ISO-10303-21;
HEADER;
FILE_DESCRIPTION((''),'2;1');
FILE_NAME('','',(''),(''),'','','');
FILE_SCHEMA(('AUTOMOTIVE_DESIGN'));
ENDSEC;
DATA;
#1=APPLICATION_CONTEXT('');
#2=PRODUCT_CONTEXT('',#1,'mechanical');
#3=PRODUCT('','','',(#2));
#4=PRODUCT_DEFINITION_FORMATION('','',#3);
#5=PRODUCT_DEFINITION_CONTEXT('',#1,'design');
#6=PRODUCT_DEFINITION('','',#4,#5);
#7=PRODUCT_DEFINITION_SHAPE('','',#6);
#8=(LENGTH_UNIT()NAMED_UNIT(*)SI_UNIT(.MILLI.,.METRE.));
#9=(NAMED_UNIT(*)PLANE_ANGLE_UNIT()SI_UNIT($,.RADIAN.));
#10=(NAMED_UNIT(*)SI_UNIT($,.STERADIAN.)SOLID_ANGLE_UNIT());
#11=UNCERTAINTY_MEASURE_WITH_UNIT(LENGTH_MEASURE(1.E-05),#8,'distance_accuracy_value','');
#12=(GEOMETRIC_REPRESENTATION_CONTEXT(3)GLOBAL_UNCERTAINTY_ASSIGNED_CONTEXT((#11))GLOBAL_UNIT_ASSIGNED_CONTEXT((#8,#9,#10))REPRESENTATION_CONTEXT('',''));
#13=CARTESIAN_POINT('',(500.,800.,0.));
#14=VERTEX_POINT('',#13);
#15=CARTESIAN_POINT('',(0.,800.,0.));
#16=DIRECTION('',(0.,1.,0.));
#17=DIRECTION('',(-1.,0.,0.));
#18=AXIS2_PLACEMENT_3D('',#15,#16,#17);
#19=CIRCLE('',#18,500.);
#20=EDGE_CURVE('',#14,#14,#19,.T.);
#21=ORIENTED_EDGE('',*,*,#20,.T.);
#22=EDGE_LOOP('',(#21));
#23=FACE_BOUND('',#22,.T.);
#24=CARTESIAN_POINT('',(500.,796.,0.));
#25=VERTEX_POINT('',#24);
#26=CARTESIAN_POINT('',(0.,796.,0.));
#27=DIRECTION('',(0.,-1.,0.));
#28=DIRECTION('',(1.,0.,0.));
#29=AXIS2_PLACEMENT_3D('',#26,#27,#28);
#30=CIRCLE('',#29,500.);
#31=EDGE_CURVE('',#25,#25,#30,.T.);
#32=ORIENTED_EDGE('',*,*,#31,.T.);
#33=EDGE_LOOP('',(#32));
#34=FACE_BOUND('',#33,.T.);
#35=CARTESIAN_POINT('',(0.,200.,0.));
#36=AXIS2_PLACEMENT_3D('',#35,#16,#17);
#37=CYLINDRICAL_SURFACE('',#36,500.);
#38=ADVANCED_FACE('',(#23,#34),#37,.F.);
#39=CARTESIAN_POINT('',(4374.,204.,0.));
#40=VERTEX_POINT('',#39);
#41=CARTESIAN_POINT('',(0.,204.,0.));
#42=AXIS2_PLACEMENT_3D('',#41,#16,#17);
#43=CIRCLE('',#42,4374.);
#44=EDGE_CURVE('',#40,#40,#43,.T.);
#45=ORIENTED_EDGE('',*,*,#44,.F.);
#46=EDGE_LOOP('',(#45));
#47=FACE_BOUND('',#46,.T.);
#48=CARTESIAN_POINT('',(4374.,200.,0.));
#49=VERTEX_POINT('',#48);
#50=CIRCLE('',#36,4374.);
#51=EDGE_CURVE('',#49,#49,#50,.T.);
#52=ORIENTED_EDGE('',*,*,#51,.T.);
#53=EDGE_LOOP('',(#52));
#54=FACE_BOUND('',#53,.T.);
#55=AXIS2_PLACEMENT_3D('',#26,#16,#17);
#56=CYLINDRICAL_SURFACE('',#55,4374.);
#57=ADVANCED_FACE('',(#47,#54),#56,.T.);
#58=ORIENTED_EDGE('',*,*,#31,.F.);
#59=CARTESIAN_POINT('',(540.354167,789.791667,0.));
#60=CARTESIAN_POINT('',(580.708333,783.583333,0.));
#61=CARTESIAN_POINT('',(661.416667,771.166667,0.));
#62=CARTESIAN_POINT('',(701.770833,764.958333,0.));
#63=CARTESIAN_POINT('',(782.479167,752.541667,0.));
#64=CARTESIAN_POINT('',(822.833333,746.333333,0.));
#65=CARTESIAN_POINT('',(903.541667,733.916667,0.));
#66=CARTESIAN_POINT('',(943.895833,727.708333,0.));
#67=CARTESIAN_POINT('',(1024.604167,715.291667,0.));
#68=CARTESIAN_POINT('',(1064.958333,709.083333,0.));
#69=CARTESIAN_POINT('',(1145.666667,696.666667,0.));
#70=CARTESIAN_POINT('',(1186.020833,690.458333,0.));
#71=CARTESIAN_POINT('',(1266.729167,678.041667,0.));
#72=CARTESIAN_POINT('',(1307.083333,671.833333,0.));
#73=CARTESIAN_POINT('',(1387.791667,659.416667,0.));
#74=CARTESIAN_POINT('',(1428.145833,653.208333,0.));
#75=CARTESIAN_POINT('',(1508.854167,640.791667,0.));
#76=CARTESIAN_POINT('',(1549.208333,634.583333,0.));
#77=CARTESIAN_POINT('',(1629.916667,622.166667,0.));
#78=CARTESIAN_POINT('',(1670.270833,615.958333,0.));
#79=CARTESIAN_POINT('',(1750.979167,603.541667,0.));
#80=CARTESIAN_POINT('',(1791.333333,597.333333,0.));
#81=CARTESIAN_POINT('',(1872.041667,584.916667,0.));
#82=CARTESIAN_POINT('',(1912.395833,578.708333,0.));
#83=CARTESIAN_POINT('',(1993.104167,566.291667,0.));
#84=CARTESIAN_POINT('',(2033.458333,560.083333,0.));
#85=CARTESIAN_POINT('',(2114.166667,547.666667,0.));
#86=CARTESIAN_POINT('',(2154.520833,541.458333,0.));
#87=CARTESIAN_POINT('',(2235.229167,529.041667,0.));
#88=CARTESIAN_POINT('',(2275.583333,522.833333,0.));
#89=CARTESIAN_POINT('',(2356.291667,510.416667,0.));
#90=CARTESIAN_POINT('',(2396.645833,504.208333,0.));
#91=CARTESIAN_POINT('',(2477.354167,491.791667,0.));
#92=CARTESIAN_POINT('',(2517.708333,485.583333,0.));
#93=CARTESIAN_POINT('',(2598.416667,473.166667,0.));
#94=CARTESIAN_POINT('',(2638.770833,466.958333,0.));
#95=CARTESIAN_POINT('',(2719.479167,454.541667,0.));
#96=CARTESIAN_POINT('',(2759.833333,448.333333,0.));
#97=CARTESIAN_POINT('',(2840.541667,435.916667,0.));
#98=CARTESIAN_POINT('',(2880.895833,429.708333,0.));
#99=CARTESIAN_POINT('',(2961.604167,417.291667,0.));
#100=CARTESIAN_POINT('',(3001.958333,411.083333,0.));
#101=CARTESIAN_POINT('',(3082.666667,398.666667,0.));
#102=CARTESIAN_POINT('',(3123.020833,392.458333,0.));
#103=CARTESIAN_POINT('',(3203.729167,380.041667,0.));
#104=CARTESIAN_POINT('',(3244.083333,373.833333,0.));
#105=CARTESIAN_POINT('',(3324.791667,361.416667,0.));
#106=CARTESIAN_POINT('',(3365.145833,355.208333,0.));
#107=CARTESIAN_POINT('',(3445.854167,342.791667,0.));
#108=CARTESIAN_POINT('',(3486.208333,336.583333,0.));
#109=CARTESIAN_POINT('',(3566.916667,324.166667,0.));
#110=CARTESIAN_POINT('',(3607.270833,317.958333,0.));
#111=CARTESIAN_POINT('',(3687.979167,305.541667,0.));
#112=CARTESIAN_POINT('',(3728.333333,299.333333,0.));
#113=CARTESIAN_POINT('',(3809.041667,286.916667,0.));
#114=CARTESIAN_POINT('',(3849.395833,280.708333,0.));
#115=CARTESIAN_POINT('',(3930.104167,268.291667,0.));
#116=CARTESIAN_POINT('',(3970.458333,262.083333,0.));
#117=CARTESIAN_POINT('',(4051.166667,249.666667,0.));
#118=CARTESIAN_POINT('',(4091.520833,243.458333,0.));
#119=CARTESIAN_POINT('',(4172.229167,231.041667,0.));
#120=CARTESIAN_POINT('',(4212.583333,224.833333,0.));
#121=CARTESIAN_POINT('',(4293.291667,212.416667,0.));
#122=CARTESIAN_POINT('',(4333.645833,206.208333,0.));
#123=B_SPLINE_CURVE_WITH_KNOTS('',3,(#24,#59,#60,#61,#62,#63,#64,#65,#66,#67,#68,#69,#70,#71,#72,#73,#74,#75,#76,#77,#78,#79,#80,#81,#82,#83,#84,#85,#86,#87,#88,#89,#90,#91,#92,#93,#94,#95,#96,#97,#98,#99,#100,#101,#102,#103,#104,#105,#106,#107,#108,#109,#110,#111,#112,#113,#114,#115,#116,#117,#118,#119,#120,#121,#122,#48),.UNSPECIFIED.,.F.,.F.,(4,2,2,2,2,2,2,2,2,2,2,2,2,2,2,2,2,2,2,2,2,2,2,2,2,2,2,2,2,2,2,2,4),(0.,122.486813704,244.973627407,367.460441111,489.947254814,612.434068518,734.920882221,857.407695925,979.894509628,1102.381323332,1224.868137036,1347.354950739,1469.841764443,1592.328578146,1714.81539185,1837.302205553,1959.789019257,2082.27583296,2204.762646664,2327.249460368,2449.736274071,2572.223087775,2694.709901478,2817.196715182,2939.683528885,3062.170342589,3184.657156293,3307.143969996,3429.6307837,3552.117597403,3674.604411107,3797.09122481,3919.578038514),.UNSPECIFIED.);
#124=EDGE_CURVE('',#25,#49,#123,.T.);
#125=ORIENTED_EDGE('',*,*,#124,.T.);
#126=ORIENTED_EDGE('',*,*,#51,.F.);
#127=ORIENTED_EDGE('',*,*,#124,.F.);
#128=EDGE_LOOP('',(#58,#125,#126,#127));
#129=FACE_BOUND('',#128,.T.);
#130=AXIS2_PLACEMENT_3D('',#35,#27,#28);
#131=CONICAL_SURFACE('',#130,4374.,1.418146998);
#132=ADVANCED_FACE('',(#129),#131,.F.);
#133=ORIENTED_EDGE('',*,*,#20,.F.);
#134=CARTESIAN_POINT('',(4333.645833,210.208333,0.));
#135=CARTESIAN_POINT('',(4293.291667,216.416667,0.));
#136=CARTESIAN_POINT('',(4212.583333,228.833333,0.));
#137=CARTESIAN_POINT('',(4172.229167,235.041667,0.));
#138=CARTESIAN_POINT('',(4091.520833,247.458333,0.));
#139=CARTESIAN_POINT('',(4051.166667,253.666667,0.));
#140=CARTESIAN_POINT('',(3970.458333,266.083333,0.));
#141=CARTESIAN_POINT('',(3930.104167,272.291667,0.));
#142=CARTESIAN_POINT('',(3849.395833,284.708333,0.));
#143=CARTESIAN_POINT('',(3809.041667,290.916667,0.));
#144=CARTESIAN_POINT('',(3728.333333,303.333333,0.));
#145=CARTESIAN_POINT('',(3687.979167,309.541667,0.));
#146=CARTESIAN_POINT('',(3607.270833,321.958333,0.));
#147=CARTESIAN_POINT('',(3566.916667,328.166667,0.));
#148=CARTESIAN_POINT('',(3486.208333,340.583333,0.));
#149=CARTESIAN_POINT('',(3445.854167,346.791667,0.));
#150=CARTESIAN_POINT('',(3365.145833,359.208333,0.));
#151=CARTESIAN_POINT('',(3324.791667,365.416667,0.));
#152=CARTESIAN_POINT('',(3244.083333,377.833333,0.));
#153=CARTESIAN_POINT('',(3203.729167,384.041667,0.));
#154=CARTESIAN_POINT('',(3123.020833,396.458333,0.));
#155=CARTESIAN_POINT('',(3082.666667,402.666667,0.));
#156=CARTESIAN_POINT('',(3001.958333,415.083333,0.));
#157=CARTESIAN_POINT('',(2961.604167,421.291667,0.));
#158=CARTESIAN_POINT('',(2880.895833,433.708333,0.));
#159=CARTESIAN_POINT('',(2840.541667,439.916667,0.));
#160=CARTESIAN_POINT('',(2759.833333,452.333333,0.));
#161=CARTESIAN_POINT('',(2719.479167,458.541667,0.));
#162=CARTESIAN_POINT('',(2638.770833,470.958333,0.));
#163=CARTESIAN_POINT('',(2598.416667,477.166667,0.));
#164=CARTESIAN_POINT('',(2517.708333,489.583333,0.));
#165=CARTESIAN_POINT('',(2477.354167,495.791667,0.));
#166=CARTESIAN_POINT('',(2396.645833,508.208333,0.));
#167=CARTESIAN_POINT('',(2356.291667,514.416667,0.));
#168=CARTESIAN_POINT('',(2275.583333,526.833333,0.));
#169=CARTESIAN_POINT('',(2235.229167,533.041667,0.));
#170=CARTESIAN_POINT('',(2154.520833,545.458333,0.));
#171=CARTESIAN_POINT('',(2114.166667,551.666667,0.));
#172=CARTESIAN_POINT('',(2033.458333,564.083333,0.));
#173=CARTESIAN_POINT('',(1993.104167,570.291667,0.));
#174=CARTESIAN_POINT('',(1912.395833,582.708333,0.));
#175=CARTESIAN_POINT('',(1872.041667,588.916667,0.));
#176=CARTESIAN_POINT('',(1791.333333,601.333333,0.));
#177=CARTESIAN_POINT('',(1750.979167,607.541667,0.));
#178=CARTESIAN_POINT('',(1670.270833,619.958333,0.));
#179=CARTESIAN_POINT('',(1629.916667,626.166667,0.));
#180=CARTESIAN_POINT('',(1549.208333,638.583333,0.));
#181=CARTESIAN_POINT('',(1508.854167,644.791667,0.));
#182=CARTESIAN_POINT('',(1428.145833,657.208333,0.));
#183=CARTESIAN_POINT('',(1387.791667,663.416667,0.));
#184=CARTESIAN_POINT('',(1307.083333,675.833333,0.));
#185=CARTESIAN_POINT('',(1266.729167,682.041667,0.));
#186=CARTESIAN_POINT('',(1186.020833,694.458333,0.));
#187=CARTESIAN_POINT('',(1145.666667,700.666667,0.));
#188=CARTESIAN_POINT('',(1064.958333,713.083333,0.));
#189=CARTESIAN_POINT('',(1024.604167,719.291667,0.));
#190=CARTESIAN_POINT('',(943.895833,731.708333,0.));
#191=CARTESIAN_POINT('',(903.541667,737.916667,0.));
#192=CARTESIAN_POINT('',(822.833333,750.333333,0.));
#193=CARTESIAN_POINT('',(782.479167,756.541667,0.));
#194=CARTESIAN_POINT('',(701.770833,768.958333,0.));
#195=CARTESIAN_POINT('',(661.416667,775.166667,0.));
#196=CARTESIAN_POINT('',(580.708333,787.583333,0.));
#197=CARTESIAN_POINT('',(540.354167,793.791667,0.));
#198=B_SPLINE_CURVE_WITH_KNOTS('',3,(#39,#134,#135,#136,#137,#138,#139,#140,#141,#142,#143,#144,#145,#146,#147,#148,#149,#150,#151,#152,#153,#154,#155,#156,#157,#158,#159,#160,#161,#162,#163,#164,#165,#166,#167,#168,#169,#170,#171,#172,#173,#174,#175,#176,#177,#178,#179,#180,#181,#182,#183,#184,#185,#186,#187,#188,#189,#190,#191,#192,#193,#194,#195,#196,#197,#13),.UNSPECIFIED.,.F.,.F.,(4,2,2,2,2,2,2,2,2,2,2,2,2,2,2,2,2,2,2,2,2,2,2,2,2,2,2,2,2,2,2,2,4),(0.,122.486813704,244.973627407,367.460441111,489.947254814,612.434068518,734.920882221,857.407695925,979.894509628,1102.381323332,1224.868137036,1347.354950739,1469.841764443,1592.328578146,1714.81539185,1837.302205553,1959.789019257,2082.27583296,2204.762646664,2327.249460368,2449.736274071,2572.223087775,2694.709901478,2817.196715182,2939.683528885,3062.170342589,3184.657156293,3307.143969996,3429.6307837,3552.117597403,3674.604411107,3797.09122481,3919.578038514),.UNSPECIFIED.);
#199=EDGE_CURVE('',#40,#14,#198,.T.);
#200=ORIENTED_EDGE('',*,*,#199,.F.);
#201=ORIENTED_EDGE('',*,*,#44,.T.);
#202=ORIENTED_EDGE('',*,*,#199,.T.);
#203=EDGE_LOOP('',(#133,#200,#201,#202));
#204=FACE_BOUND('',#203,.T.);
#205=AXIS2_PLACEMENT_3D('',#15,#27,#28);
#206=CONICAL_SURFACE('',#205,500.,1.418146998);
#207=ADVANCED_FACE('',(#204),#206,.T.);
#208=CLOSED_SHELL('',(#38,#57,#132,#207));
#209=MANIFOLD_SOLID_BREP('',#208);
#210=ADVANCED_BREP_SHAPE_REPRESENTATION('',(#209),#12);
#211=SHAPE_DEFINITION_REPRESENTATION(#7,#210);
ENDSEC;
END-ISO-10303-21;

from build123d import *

# Parameters (mm, degrees)
CUT_EXTRUDE1_DEPTH      = 6215.801042672
CUT_EXTRUDE1_DEPTH_BACK = 6215.801042672
SKETCH2_R               = 500


with BuildPart() as part:
    # Sketch1 → Revolve1 (revolve)
    with BuildSketch(Plane.XY, mode=Mode.PRIVATE) as revolve1_sk:
        Polygon((-4374, 204), (-4374, 200), (-500, 796), (0, 796), (0, 800), (-500, 800), align=None)
    revolve(revolve1_sk.sketch.rotate(Axis((0, 796, 0), (0, -1, 0)), 180), axis=Axis((0, 796, 0), (0, -1, 0)))

    # Sketch2 → Cut-Extrude1 (cut, two sides: drawn at the far end of the back side and taken through both)
    with BuildSketch(Plane(origin=(0, 800, 0), x_dir=(1, 0, 0), z_dir=(0, 1, 0)).offset(-CUT_EXTRUDE1_DEPTH_BACK)):
        Circle(SKETCH2_R)
    extrude(amount=CUT_EXTRUDE1_DEPTH + CUT_EXTRUDE1_DEPTH_BACK, mode=Mode.SUBTRACT)


solid = part.part
